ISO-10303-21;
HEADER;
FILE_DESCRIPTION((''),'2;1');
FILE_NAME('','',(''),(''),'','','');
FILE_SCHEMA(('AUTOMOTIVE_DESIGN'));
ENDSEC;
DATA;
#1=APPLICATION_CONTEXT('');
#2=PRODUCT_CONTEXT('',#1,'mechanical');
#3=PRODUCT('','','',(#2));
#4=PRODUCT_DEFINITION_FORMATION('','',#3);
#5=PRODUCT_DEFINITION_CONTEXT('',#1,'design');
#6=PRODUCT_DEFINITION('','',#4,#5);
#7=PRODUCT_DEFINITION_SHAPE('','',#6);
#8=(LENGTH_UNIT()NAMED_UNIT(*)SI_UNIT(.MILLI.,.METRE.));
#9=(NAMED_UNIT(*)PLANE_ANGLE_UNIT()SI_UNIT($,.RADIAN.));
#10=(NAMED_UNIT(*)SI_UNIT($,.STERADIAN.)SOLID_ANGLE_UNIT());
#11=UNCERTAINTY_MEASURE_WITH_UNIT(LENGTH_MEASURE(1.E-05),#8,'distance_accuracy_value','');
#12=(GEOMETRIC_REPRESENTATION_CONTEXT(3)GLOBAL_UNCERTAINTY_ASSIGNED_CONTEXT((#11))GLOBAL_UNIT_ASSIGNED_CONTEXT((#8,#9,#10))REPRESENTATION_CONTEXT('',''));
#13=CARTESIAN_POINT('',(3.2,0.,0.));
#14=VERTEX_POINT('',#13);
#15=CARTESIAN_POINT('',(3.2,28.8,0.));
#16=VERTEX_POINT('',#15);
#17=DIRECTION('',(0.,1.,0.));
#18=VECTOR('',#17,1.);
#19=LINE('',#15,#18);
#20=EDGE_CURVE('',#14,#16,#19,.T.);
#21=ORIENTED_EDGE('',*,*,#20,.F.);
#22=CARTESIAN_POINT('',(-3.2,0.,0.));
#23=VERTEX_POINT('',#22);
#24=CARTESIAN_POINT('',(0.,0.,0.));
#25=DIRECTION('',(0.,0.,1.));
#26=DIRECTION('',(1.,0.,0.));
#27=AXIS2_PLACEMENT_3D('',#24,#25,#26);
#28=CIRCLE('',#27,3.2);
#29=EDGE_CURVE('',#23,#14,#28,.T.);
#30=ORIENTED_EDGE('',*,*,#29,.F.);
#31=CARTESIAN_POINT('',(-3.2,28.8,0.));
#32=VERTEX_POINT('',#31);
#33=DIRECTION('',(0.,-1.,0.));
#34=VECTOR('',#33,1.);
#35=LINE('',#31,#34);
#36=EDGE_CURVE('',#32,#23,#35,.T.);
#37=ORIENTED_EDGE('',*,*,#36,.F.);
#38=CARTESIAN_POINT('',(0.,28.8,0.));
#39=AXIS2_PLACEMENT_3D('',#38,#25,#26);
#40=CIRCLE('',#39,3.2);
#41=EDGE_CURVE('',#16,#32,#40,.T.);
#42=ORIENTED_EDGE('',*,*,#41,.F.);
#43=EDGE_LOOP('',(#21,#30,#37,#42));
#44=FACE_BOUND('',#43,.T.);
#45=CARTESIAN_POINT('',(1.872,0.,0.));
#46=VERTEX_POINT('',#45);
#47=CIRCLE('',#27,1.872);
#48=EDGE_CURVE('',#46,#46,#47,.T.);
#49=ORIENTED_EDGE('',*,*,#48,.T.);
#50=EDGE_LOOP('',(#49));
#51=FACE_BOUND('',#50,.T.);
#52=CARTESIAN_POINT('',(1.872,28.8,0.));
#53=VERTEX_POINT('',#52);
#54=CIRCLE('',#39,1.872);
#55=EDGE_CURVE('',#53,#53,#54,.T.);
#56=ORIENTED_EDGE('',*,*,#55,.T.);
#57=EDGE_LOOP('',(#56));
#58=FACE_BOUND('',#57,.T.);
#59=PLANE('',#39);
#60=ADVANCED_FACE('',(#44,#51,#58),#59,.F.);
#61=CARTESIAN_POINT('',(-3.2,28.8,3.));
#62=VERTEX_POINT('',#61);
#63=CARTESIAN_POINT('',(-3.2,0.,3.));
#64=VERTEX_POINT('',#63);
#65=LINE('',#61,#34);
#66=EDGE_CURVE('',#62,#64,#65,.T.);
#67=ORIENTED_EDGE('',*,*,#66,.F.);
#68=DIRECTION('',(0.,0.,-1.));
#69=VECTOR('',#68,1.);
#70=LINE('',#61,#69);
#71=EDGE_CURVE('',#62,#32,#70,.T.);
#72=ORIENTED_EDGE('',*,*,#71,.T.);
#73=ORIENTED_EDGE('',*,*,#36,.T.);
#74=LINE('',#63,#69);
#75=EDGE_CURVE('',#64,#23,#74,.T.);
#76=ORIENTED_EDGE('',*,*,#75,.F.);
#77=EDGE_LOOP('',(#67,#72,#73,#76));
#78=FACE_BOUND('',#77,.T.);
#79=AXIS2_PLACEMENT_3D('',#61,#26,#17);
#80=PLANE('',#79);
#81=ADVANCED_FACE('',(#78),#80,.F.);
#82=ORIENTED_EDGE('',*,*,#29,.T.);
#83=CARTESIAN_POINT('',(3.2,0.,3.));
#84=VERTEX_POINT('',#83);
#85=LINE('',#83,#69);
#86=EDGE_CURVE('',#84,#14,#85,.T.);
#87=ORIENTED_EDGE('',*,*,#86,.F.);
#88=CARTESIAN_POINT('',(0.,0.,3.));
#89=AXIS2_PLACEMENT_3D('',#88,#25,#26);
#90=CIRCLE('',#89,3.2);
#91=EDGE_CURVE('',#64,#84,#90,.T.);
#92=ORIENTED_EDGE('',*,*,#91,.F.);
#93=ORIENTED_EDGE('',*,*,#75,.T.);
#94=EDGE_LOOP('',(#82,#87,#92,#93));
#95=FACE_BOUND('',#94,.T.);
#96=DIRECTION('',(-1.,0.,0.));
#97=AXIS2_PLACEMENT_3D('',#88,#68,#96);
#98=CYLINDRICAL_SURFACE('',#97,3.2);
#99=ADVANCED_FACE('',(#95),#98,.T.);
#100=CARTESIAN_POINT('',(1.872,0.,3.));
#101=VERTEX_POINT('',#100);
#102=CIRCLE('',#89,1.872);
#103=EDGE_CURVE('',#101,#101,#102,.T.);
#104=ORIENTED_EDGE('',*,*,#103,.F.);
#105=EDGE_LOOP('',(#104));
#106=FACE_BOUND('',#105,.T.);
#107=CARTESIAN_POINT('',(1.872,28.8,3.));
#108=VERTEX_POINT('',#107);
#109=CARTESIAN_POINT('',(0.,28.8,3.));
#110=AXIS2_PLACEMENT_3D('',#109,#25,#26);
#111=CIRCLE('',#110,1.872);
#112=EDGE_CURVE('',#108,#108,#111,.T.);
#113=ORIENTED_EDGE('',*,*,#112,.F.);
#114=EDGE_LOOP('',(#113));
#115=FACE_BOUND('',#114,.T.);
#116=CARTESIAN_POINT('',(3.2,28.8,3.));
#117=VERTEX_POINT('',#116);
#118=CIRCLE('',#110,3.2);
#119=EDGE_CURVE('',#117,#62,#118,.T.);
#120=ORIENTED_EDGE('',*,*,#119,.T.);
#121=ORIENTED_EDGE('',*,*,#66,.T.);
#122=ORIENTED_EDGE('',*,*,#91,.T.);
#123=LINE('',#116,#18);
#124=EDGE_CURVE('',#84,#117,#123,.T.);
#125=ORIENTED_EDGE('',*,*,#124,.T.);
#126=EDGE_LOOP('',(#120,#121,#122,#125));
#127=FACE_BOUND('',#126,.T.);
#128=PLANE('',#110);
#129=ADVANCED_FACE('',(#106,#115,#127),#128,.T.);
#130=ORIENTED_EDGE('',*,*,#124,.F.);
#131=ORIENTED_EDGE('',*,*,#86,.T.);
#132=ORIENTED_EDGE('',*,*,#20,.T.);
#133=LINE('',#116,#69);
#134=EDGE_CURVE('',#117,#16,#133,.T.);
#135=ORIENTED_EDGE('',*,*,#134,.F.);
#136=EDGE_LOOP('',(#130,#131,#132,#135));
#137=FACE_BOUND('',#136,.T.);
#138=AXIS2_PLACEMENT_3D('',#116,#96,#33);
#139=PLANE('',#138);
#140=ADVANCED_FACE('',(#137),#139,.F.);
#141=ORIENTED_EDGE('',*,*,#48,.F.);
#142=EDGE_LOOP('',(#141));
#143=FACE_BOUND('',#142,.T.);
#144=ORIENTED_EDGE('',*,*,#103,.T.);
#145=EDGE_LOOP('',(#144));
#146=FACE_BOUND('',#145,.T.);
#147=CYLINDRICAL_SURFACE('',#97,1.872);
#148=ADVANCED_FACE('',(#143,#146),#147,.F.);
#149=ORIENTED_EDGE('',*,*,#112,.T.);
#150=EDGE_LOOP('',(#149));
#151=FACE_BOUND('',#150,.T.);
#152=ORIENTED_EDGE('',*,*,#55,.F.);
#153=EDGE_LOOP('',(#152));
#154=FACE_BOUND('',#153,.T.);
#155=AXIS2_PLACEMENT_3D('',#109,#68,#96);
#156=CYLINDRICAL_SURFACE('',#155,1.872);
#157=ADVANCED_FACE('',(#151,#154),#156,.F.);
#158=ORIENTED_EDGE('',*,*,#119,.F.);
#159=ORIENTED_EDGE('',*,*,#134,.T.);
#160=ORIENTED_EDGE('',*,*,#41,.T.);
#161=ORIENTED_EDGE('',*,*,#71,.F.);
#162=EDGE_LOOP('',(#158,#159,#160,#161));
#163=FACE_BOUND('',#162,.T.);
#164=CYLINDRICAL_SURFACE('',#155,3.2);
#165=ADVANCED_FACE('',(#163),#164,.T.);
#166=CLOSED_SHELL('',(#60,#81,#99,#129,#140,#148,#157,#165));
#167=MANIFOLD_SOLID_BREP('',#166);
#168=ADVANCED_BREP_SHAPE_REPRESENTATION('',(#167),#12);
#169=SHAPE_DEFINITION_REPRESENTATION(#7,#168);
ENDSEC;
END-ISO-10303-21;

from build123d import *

# Parameters (mm, degrees)
SKETCH1_R           = 1.872
BOSS_EXTRUDE1_DEPTH = 3


with BuildPart() as part:
    # Sketch1 → Boss-Extrude1 (new body)
    with BuildSketch(Plane.XY):
        with BuildLine():
            Line((-3.2, 28.8), (-3.2, 0))
            ThreePointArc((-3.2, 0), (0, -3.2), (3.2, 0))
            Line((3.2, 0), (3.2, 28.8))
            ThreePointArc((3.2, 28.8), (0, 32), (-3.2, 28.8))
        make_face()
        Circle(SKETCH1_R, mode=Mode.SUBTRACT)
        with Locations((0, 28.8)):
            Circle(SKETCH1_R, mode=Mode.SUBTRACT)
    extrude(amount=BOSS_EXTRUDE1_DEPTH)


solid = part.part
